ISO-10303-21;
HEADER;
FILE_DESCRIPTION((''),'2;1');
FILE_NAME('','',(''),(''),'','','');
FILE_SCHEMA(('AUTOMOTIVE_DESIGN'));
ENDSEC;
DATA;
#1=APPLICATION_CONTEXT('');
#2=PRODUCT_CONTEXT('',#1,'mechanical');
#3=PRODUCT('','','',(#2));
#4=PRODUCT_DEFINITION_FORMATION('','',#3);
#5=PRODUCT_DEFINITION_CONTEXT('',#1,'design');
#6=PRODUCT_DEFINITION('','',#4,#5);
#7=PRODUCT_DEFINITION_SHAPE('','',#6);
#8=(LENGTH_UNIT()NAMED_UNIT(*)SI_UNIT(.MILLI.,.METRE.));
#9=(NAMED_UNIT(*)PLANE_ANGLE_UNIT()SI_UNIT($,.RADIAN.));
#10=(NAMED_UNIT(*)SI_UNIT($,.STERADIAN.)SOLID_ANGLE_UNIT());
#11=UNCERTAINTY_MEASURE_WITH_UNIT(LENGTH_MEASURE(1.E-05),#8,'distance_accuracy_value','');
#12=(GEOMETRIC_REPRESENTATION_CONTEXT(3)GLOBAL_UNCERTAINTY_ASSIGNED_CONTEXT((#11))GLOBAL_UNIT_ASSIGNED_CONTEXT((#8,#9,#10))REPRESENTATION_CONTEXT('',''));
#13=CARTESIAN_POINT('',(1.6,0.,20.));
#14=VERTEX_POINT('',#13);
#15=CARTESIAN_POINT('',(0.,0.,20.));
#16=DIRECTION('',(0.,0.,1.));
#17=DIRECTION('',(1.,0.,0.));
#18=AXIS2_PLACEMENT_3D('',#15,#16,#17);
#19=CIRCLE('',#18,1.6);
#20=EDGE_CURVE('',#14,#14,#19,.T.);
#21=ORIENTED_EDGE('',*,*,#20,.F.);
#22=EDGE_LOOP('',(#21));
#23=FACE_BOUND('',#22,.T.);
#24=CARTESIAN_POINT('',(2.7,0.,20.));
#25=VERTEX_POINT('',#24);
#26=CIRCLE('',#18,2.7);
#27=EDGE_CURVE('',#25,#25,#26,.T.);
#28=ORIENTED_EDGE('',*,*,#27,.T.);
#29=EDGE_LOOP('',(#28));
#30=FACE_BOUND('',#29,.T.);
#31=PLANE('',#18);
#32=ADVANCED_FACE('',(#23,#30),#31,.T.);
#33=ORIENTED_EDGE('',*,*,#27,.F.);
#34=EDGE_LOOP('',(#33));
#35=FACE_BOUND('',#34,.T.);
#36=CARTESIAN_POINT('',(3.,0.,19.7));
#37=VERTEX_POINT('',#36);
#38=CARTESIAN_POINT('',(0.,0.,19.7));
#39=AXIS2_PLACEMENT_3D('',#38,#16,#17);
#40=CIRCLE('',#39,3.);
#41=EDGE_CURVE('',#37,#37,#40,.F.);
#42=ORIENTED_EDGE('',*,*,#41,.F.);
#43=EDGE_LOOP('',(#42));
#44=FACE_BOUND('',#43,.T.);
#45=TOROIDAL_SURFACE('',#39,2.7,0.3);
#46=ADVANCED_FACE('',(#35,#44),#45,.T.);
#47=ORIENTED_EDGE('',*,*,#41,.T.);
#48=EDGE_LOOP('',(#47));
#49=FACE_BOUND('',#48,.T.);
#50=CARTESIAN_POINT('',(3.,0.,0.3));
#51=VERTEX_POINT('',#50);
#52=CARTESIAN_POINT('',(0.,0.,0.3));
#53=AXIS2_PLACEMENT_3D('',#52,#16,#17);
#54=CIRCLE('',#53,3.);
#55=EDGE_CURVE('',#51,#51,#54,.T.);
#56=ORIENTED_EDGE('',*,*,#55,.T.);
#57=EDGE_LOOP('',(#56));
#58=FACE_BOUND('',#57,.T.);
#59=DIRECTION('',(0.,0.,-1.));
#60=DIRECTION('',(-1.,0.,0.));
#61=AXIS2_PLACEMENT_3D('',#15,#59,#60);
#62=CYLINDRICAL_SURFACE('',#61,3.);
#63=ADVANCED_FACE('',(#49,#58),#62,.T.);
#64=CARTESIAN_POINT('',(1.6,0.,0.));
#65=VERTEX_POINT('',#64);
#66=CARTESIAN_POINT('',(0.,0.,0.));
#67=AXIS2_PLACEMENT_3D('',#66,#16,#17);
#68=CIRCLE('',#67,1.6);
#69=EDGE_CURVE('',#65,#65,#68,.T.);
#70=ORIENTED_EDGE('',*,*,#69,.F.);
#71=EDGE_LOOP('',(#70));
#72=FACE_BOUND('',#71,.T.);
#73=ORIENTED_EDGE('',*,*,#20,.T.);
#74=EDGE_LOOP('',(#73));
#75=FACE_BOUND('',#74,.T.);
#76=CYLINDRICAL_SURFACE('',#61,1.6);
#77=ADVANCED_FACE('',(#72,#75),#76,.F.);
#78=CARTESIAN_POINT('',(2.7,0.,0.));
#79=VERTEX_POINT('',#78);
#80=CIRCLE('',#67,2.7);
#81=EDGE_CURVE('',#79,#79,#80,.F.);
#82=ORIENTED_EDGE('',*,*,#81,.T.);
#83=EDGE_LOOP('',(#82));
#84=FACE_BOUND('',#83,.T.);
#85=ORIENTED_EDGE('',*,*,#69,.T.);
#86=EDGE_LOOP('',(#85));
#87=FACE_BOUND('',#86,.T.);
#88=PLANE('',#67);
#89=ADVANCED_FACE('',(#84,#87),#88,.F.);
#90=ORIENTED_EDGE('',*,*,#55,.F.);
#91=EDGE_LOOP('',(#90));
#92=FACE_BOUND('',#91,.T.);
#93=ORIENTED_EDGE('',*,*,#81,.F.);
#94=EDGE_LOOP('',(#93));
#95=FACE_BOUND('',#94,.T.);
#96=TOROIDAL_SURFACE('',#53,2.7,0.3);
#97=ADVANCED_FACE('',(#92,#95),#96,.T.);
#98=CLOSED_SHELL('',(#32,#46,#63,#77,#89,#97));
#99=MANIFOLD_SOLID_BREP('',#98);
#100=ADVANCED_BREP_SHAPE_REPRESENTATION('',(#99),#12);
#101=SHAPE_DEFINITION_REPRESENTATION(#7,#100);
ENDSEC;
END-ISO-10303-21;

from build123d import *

# Parameters (mm, degrees)
SKETCH1_R           = 3
SKETCH1_R_2         = 1.6
BOSS_EXTRUDE1_DEPTH = 20
FILLET1_R           = 0.3


with BuildPart() as part:
    # Sketch1 → Boss-Extrude1 (new body)
    with BuildSketch(Plane.XY):
        Circle(SKETCH1_R)
        Circle(SKETCH1_R_2, mode=Mode.SUBTRACT)
    extrude(amount=BOSS_EXTRUDE1_DEPTH)

    # Fillet1
    fillet1_edges = [part.edges().sort_by_distance(p)[0] for p in [
        (-3, 0, 0),
        (-3, 0, 20),
    ]]
    fillet(fillet1_edges, radius=FILLET1_R)


solid = part.part
